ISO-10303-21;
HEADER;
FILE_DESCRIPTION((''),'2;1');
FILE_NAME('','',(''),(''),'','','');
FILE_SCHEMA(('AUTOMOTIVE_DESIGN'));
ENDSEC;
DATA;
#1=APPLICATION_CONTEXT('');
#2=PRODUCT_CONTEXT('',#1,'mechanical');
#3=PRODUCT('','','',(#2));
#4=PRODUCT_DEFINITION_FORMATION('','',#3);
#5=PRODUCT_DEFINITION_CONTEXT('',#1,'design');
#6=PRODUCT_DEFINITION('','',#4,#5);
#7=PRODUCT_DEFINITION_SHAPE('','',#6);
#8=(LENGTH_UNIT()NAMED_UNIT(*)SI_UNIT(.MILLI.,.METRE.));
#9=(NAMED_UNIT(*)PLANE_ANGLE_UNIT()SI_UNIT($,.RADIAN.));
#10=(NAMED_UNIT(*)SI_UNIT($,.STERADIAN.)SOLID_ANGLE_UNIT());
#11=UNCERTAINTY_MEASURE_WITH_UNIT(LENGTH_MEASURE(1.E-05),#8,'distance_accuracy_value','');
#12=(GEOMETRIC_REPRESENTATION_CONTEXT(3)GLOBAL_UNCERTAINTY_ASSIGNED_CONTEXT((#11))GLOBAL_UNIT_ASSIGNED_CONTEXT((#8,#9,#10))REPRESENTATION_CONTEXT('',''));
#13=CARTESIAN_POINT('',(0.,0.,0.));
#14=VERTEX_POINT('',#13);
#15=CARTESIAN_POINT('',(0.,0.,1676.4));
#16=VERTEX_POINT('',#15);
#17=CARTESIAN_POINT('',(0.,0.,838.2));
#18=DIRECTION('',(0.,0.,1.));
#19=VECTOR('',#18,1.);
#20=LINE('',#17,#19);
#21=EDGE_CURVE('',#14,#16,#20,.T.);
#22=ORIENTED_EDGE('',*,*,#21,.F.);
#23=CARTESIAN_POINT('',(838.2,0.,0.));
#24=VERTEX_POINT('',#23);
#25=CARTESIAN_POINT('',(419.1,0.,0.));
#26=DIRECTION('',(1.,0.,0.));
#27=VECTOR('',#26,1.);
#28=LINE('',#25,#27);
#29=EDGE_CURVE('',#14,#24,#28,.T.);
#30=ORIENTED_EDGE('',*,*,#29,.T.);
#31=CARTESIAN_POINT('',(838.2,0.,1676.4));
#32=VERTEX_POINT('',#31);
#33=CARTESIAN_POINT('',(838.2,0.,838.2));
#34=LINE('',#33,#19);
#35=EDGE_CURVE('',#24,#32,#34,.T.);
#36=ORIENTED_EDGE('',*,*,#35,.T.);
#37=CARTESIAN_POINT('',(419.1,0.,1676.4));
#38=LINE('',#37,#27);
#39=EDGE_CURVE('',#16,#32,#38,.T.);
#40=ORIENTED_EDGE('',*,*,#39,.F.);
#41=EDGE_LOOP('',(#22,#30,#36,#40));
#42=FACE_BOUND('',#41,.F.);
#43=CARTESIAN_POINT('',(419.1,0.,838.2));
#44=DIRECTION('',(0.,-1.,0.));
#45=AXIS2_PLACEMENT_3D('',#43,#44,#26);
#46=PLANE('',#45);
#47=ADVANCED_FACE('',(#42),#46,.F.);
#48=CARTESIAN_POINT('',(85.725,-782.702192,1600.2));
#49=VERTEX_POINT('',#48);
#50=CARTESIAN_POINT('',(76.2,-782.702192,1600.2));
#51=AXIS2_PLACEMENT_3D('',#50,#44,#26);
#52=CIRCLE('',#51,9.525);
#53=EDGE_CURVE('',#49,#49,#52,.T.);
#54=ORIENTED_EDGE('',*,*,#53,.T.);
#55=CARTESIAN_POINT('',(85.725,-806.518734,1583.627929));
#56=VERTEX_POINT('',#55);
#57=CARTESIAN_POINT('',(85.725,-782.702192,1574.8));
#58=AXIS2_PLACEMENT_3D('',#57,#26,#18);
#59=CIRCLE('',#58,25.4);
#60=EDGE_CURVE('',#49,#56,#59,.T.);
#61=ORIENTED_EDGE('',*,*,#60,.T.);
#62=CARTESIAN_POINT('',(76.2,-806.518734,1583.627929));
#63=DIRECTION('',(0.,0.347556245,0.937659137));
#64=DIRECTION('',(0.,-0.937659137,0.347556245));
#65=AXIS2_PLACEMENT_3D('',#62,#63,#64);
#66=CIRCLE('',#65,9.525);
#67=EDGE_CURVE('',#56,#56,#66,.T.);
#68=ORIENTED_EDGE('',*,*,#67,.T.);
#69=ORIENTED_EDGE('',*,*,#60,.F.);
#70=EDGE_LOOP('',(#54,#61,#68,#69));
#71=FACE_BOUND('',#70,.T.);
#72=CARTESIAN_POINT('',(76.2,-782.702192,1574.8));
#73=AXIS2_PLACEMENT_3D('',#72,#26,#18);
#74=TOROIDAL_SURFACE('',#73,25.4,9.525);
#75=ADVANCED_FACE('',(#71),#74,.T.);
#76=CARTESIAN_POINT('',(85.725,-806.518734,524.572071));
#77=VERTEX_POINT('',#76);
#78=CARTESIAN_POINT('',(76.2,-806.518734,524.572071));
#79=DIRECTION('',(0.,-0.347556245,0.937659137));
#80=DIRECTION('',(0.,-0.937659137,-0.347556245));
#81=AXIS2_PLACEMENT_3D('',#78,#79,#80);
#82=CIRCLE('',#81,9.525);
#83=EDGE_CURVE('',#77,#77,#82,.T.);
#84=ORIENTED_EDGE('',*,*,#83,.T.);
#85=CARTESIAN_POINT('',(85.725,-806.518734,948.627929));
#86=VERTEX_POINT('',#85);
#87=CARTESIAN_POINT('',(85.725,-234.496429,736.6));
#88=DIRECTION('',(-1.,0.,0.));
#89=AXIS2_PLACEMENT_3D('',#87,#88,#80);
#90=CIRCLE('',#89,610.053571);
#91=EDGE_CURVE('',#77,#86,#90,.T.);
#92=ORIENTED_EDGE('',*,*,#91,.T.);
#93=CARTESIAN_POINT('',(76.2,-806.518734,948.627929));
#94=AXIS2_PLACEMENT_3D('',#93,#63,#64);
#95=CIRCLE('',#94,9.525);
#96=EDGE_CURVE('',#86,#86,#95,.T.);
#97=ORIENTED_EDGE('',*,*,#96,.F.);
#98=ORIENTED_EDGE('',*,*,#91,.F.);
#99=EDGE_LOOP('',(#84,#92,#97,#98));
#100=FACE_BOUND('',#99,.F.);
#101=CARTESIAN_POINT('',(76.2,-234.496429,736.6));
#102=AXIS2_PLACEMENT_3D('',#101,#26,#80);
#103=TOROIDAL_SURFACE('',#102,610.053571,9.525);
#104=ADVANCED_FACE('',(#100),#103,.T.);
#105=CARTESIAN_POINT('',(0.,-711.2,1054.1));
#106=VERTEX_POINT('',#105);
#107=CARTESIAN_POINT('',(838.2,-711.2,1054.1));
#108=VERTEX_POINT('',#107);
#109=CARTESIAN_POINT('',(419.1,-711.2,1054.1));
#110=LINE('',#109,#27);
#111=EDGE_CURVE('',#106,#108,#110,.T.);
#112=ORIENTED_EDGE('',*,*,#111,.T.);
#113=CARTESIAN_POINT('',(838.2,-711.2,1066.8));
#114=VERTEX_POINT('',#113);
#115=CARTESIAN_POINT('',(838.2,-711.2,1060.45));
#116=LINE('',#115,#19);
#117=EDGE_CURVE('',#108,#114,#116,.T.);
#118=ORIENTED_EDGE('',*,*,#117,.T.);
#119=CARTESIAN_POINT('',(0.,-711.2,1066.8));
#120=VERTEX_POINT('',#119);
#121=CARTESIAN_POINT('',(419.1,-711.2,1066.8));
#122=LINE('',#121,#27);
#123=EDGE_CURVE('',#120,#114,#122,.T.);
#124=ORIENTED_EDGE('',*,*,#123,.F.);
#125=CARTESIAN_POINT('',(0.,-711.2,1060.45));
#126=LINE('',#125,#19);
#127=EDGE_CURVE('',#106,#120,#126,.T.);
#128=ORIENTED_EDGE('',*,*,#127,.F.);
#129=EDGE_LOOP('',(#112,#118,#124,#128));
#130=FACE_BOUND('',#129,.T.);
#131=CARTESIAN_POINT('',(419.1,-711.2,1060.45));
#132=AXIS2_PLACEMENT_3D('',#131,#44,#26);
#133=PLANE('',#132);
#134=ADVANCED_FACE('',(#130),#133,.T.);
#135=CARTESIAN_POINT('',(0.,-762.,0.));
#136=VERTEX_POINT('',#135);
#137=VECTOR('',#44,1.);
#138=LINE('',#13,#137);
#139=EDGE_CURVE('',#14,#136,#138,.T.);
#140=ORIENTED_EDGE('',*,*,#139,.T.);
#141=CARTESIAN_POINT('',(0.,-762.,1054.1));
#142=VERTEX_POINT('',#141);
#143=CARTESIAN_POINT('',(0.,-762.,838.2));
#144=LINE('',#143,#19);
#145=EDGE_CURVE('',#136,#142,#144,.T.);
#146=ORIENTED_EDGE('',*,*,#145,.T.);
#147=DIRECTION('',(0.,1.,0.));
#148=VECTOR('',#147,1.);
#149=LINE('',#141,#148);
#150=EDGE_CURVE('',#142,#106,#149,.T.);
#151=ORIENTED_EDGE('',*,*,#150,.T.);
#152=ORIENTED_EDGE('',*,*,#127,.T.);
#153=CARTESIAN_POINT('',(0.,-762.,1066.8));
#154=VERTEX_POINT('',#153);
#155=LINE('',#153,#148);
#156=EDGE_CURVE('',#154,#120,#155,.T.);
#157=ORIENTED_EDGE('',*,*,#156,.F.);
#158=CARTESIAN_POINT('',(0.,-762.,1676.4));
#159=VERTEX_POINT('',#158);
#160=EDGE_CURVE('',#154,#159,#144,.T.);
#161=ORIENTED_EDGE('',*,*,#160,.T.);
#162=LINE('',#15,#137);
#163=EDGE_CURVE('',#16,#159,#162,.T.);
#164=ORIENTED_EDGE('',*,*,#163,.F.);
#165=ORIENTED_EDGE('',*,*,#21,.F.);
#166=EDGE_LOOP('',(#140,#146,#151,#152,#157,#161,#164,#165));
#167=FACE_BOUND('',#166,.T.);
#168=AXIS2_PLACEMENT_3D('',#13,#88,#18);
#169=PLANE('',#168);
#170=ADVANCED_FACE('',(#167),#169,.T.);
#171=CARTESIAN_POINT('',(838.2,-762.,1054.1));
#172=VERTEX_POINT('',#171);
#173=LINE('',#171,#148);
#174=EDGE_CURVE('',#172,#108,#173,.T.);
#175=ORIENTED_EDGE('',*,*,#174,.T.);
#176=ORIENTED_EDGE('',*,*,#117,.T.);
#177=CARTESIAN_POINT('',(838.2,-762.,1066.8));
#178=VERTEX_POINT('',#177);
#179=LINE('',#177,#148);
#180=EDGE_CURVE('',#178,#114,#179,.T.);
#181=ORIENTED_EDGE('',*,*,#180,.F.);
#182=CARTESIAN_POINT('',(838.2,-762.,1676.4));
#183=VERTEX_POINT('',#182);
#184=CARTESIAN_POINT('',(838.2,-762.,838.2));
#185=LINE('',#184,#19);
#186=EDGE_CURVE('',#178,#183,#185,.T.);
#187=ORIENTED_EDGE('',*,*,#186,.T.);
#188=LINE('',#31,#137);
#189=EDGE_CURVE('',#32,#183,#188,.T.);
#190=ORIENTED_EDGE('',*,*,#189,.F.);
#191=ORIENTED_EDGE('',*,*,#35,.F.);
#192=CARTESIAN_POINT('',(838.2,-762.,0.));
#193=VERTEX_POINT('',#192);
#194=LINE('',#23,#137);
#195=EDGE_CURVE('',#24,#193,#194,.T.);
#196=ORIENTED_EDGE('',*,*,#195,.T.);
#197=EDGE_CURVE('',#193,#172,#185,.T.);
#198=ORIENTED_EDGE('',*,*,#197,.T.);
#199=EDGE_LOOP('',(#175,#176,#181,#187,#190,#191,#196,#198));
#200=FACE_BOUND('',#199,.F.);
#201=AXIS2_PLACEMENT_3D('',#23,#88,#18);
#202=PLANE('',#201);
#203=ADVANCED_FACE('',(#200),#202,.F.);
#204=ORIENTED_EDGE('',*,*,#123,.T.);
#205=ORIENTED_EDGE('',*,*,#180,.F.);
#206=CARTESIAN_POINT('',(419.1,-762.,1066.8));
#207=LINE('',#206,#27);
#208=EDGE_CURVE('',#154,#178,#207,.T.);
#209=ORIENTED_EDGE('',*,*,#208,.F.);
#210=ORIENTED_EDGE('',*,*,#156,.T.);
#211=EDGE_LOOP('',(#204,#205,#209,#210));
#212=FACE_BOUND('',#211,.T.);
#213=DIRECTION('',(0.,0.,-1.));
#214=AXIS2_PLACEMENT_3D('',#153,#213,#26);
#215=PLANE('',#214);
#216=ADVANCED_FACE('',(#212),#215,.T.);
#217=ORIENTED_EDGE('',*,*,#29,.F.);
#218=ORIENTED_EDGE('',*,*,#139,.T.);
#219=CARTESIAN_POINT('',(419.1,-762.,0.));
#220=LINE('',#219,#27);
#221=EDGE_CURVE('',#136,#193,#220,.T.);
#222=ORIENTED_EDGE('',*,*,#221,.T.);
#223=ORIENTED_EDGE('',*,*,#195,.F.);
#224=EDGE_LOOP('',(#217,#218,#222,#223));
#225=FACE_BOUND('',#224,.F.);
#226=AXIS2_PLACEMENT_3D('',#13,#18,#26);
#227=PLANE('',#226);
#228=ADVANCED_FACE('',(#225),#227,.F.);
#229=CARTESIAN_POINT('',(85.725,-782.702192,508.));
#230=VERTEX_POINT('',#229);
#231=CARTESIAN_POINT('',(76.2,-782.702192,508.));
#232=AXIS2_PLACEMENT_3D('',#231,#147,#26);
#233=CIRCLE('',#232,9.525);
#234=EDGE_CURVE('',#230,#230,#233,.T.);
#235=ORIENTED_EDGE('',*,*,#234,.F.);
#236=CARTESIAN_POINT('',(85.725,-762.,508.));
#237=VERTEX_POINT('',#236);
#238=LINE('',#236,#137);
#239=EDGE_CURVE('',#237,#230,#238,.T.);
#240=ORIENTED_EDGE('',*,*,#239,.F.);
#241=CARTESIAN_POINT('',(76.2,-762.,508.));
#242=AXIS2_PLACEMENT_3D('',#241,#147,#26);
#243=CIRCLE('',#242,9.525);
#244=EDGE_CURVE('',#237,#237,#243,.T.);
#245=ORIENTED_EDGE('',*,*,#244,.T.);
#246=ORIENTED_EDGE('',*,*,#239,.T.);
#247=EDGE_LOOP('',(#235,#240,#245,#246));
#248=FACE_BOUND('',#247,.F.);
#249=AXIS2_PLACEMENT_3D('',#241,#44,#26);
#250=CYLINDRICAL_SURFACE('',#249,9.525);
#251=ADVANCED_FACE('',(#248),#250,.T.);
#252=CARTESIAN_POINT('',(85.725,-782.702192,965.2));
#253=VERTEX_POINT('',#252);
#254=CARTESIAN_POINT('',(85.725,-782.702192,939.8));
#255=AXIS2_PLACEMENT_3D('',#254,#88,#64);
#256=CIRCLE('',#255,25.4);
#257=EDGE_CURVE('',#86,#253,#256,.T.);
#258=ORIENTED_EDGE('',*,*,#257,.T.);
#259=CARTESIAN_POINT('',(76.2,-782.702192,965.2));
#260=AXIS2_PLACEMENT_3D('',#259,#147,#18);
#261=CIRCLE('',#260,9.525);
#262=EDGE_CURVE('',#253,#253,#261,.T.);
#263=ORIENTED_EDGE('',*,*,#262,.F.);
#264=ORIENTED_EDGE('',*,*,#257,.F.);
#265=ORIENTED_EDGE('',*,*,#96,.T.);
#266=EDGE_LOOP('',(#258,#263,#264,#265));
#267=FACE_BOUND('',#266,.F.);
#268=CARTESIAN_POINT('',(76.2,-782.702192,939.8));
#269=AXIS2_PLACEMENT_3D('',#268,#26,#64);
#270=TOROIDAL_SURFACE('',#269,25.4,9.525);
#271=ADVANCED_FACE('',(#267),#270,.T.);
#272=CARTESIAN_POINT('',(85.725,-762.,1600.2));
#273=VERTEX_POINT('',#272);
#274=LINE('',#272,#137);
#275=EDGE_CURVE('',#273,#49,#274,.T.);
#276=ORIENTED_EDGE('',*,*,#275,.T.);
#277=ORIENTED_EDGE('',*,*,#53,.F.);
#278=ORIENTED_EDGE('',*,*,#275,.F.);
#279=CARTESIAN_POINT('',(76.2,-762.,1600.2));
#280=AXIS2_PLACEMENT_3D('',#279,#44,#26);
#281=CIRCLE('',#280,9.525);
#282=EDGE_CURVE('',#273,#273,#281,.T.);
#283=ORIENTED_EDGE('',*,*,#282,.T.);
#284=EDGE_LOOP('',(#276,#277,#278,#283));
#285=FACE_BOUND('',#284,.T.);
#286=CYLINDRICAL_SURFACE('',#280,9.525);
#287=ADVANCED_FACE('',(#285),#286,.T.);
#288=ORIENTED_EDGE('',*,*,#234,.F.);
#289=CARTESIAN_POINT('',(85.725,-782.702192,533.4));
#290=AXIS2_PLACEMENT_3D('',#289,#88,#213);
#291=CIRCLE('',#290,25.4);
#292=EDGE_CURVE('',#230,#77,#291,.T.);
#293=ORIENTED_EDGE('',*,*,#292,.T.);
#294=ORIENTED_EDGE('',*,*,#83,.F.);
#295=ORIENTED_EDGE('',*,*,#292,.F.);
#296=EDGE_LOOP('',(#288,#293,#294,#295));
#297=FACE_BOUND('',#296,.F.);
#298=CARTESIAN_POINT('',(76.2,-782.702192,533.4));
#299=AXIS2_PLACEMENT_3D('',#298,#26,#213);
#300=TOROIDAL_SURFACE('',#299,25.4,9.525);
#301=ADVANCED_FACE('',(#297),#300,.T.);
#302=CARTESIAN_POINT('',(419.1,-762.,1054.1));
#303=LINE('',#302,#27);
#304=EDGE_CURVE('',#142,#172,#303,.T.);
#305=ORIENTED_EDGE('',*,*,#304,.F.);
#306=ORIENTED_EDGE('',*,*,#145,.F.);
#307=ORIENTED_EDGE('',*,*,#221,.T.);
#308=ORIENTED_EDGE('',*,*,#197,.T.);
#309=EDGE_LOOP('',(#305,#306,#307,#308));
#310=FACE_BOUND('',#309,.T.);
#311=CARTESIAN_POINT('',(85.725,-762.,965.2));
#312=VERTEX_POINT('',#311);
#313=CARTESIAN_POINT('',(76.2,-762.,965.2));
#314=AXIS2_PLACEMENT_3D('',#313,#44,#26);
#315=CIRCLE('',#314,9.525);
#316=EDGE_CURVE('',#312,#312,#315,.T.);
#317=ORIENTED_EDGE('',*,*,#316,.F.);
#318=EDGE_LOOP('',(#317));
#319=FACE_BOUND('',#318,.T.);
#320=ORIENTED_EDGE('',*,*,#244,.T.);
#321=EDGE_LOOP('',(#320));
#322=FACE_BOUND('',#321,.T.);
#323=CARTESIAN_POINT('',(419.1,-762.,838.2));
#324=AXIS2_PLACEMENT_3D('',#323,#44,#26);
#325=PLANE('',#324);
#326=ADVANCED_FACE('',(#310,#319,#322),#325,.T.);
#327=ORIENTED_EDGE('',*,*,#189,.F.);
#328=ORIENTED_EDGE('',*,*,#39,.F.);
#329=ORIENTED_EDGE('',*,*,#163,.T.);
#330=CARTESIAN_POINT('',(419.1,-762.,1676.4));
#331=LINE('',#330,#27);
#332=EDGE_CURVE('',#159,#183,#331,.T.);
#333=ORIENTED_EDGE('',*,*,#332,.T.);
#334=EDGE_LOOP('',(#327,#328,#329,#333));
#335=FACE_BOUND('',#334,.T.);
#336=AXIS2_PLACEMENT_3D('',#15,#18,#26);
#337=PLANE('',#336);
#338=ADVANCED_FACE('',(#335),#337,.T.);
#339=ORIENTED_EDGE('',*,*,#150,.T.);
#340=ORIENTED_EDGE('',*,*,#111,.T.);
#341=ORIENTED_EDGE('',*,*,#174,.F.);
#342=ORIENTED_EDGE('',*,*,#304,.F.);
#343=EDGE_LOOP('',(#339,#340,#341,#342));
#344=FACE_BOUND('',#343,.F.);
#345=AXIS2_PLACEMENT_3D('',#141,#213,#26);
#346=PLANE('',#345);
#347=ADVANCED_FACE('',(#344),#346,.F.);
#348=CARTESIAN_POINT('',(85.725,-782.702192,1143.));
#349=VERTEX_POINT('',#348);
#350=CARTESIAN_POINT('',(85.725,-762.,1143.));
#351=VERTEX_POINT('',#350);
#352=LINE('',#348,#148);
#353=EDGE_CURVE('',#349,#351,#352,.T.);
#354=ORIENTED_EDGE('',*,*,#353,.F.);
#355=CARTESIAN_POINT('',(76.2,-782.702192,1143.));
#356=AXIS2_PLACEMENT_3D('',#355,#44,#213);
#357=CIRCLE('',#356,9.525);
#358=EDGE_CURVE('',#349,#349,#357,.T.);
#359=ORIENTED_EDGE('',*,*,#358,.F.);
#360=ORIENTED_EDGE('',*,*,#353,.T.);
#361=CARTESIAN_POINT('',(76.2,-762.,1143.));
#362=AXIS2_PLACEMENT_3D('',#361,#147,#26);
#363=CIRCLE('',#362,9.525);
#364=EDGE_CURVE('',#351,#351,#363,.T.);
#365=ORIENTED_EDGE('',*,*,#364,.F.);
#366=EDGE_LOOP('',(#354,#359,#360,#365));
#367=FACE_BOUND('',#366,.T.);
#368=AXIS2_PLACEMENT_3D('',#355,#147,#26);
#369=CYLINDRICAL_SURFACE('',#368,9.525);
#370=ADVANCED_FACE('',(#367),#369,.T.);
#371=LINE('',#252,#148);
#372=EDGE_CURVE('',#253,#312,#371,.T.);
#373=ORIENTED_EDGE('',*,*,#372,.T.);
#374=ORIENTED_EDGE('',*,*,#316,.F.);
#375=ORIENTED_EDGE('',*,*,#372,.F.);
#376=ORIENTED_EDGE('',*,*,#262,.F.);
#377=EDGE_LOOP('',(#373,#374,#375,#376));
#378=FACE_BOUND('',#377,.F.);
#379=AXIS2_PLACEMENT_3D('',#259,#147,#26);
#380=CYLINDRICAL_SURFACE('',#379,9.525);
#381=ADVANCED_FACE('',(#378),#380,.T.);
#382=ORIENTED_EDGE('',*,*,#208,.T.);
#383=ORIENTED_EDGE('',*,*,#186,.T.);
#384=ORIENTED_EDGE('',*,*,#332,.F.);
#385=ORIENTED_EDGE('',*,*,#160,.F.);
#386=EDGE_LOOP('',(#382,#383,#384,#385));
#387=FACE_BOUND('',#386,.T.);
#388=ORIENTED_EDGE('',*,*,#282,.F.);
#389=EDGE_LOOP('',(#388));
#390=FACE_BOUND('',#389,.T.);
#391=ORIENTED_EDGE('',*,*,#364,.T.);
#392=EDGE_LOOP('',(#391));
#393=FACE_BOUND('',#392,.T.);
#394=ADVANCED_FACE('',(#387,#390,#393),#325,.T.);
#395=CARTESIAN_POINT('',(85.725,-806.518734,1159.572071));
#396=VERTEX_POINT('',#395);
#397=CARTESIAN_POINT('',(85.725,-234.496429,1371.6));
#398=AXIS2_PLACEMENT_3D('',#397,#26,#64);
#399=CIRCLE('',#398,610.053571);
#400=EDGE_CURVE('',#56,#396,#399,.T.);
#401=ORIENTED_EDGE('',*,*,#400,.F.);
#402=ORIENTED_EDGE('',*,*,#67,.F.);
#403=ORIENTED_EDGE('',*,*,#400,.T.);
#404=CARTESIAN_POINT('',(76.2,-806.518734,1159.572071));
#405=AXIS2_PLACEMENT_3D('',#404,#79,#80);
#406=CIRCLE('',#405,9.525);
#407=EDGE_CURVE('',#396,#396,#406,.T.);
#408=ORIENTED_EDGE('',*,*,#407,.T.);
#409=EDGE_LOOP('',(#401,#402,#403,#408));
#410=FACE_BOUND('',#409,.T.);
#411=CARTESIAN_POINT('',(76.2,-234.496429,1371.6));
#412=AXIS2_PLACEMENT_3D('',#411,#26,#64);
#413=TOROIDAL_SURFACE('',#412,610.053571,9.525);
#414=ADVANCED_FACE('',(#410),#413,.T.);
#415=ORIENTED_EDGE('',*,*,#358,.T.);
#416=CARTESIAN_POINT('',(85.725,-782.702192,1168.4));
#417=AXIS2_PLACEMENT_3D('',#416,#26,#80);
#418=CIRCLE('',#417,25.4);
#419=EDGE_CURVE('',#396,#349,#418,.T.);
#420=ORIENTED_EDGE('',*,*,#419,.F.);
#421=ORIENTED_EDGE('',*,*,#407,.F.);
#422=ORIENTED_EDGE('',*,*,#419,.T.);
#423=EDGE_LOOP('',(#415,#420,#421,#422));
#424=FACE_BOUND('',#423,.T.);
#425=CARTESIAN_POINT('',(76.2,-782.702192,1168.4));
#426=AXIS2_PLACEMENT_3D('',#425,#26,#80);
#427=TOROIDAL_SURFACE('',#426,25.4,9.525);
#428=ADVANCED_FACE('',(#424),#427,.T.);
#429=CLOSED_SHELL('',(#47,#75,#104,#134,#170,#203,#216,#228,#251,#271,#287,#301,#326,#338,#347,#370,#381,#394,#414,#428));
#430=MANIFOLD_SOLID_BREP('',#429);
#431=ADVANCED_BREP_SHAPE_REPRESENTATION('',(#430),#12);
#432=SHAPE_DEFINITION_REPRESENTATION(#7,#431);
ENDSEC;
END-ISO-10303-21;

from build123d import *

# Parameters (mm, degrees)
F0_W     = 838.2
F0_H     = 1676.4
F1_DEPTH = 762
F2_W     = 838.2
F2_H     = 12.7
F3_DEPTH = 50.8
F5_R     = 9.525


with BuildPart() as f1:
    # F0 (on Front) → F1 (new body)
    with BuildSketch(Plane.XZ):
        with Locations((419.1, 838.2)):
            Rectangle(F0_W, F0_H)
    extrude(amount=F1_DEPTH)

    # F2 (on face) → F3 (cut)
    with BuildSketch(Plane.XZ.offset(762)):
        with Locations((419.1, 1060.45)):
            Rectangle(F2_W, F2_H)
    extrude(amount=-F3_DEPTH, mode=Mode.SUBTRACT)

    # F7: sweep along a path in F6
    with BuildLine(Plane(origin=(76.2, 0, 0), x_dir=(0, -1, 0), z_dir=(-1, 0, 0))) as f7_path:
        Line((762, 1600.2), (782.7021915694, 1600.2))
        ThreePointArc((782.7021915694, 1600.2), (797.2096140296, 1595.6493331683), (806.5187336391, 1583.6279286268))
        ThreePointArc((806.5187336391, 1583.6279286268), (844.55, 1371.6), (806.5187336391, 1159.5720713732))
        ThreePointArc((806.5187336391, 1159.5720713732), (797.2096140296, 1147.5506668317), (782.7021915694, 1143))
        Line((782.7021915694, 1143), (762, 1143))
    # F5 (on face) → F7 (sweep)
    with BuildSketch(Plane.XZ.offset(762)):
        with Locations((76.2, 1600.2)):
            Circle(F5_R)
    f7 = sweep(path=f7_path.line)

    # F8: F7 across face
    add(f7.mirror(Plane(origin=(419.1, -736.6, 1054.1), x_dir=(1, 0, 0), z_dir=(0, 0, 1))))


solid = f1.part
